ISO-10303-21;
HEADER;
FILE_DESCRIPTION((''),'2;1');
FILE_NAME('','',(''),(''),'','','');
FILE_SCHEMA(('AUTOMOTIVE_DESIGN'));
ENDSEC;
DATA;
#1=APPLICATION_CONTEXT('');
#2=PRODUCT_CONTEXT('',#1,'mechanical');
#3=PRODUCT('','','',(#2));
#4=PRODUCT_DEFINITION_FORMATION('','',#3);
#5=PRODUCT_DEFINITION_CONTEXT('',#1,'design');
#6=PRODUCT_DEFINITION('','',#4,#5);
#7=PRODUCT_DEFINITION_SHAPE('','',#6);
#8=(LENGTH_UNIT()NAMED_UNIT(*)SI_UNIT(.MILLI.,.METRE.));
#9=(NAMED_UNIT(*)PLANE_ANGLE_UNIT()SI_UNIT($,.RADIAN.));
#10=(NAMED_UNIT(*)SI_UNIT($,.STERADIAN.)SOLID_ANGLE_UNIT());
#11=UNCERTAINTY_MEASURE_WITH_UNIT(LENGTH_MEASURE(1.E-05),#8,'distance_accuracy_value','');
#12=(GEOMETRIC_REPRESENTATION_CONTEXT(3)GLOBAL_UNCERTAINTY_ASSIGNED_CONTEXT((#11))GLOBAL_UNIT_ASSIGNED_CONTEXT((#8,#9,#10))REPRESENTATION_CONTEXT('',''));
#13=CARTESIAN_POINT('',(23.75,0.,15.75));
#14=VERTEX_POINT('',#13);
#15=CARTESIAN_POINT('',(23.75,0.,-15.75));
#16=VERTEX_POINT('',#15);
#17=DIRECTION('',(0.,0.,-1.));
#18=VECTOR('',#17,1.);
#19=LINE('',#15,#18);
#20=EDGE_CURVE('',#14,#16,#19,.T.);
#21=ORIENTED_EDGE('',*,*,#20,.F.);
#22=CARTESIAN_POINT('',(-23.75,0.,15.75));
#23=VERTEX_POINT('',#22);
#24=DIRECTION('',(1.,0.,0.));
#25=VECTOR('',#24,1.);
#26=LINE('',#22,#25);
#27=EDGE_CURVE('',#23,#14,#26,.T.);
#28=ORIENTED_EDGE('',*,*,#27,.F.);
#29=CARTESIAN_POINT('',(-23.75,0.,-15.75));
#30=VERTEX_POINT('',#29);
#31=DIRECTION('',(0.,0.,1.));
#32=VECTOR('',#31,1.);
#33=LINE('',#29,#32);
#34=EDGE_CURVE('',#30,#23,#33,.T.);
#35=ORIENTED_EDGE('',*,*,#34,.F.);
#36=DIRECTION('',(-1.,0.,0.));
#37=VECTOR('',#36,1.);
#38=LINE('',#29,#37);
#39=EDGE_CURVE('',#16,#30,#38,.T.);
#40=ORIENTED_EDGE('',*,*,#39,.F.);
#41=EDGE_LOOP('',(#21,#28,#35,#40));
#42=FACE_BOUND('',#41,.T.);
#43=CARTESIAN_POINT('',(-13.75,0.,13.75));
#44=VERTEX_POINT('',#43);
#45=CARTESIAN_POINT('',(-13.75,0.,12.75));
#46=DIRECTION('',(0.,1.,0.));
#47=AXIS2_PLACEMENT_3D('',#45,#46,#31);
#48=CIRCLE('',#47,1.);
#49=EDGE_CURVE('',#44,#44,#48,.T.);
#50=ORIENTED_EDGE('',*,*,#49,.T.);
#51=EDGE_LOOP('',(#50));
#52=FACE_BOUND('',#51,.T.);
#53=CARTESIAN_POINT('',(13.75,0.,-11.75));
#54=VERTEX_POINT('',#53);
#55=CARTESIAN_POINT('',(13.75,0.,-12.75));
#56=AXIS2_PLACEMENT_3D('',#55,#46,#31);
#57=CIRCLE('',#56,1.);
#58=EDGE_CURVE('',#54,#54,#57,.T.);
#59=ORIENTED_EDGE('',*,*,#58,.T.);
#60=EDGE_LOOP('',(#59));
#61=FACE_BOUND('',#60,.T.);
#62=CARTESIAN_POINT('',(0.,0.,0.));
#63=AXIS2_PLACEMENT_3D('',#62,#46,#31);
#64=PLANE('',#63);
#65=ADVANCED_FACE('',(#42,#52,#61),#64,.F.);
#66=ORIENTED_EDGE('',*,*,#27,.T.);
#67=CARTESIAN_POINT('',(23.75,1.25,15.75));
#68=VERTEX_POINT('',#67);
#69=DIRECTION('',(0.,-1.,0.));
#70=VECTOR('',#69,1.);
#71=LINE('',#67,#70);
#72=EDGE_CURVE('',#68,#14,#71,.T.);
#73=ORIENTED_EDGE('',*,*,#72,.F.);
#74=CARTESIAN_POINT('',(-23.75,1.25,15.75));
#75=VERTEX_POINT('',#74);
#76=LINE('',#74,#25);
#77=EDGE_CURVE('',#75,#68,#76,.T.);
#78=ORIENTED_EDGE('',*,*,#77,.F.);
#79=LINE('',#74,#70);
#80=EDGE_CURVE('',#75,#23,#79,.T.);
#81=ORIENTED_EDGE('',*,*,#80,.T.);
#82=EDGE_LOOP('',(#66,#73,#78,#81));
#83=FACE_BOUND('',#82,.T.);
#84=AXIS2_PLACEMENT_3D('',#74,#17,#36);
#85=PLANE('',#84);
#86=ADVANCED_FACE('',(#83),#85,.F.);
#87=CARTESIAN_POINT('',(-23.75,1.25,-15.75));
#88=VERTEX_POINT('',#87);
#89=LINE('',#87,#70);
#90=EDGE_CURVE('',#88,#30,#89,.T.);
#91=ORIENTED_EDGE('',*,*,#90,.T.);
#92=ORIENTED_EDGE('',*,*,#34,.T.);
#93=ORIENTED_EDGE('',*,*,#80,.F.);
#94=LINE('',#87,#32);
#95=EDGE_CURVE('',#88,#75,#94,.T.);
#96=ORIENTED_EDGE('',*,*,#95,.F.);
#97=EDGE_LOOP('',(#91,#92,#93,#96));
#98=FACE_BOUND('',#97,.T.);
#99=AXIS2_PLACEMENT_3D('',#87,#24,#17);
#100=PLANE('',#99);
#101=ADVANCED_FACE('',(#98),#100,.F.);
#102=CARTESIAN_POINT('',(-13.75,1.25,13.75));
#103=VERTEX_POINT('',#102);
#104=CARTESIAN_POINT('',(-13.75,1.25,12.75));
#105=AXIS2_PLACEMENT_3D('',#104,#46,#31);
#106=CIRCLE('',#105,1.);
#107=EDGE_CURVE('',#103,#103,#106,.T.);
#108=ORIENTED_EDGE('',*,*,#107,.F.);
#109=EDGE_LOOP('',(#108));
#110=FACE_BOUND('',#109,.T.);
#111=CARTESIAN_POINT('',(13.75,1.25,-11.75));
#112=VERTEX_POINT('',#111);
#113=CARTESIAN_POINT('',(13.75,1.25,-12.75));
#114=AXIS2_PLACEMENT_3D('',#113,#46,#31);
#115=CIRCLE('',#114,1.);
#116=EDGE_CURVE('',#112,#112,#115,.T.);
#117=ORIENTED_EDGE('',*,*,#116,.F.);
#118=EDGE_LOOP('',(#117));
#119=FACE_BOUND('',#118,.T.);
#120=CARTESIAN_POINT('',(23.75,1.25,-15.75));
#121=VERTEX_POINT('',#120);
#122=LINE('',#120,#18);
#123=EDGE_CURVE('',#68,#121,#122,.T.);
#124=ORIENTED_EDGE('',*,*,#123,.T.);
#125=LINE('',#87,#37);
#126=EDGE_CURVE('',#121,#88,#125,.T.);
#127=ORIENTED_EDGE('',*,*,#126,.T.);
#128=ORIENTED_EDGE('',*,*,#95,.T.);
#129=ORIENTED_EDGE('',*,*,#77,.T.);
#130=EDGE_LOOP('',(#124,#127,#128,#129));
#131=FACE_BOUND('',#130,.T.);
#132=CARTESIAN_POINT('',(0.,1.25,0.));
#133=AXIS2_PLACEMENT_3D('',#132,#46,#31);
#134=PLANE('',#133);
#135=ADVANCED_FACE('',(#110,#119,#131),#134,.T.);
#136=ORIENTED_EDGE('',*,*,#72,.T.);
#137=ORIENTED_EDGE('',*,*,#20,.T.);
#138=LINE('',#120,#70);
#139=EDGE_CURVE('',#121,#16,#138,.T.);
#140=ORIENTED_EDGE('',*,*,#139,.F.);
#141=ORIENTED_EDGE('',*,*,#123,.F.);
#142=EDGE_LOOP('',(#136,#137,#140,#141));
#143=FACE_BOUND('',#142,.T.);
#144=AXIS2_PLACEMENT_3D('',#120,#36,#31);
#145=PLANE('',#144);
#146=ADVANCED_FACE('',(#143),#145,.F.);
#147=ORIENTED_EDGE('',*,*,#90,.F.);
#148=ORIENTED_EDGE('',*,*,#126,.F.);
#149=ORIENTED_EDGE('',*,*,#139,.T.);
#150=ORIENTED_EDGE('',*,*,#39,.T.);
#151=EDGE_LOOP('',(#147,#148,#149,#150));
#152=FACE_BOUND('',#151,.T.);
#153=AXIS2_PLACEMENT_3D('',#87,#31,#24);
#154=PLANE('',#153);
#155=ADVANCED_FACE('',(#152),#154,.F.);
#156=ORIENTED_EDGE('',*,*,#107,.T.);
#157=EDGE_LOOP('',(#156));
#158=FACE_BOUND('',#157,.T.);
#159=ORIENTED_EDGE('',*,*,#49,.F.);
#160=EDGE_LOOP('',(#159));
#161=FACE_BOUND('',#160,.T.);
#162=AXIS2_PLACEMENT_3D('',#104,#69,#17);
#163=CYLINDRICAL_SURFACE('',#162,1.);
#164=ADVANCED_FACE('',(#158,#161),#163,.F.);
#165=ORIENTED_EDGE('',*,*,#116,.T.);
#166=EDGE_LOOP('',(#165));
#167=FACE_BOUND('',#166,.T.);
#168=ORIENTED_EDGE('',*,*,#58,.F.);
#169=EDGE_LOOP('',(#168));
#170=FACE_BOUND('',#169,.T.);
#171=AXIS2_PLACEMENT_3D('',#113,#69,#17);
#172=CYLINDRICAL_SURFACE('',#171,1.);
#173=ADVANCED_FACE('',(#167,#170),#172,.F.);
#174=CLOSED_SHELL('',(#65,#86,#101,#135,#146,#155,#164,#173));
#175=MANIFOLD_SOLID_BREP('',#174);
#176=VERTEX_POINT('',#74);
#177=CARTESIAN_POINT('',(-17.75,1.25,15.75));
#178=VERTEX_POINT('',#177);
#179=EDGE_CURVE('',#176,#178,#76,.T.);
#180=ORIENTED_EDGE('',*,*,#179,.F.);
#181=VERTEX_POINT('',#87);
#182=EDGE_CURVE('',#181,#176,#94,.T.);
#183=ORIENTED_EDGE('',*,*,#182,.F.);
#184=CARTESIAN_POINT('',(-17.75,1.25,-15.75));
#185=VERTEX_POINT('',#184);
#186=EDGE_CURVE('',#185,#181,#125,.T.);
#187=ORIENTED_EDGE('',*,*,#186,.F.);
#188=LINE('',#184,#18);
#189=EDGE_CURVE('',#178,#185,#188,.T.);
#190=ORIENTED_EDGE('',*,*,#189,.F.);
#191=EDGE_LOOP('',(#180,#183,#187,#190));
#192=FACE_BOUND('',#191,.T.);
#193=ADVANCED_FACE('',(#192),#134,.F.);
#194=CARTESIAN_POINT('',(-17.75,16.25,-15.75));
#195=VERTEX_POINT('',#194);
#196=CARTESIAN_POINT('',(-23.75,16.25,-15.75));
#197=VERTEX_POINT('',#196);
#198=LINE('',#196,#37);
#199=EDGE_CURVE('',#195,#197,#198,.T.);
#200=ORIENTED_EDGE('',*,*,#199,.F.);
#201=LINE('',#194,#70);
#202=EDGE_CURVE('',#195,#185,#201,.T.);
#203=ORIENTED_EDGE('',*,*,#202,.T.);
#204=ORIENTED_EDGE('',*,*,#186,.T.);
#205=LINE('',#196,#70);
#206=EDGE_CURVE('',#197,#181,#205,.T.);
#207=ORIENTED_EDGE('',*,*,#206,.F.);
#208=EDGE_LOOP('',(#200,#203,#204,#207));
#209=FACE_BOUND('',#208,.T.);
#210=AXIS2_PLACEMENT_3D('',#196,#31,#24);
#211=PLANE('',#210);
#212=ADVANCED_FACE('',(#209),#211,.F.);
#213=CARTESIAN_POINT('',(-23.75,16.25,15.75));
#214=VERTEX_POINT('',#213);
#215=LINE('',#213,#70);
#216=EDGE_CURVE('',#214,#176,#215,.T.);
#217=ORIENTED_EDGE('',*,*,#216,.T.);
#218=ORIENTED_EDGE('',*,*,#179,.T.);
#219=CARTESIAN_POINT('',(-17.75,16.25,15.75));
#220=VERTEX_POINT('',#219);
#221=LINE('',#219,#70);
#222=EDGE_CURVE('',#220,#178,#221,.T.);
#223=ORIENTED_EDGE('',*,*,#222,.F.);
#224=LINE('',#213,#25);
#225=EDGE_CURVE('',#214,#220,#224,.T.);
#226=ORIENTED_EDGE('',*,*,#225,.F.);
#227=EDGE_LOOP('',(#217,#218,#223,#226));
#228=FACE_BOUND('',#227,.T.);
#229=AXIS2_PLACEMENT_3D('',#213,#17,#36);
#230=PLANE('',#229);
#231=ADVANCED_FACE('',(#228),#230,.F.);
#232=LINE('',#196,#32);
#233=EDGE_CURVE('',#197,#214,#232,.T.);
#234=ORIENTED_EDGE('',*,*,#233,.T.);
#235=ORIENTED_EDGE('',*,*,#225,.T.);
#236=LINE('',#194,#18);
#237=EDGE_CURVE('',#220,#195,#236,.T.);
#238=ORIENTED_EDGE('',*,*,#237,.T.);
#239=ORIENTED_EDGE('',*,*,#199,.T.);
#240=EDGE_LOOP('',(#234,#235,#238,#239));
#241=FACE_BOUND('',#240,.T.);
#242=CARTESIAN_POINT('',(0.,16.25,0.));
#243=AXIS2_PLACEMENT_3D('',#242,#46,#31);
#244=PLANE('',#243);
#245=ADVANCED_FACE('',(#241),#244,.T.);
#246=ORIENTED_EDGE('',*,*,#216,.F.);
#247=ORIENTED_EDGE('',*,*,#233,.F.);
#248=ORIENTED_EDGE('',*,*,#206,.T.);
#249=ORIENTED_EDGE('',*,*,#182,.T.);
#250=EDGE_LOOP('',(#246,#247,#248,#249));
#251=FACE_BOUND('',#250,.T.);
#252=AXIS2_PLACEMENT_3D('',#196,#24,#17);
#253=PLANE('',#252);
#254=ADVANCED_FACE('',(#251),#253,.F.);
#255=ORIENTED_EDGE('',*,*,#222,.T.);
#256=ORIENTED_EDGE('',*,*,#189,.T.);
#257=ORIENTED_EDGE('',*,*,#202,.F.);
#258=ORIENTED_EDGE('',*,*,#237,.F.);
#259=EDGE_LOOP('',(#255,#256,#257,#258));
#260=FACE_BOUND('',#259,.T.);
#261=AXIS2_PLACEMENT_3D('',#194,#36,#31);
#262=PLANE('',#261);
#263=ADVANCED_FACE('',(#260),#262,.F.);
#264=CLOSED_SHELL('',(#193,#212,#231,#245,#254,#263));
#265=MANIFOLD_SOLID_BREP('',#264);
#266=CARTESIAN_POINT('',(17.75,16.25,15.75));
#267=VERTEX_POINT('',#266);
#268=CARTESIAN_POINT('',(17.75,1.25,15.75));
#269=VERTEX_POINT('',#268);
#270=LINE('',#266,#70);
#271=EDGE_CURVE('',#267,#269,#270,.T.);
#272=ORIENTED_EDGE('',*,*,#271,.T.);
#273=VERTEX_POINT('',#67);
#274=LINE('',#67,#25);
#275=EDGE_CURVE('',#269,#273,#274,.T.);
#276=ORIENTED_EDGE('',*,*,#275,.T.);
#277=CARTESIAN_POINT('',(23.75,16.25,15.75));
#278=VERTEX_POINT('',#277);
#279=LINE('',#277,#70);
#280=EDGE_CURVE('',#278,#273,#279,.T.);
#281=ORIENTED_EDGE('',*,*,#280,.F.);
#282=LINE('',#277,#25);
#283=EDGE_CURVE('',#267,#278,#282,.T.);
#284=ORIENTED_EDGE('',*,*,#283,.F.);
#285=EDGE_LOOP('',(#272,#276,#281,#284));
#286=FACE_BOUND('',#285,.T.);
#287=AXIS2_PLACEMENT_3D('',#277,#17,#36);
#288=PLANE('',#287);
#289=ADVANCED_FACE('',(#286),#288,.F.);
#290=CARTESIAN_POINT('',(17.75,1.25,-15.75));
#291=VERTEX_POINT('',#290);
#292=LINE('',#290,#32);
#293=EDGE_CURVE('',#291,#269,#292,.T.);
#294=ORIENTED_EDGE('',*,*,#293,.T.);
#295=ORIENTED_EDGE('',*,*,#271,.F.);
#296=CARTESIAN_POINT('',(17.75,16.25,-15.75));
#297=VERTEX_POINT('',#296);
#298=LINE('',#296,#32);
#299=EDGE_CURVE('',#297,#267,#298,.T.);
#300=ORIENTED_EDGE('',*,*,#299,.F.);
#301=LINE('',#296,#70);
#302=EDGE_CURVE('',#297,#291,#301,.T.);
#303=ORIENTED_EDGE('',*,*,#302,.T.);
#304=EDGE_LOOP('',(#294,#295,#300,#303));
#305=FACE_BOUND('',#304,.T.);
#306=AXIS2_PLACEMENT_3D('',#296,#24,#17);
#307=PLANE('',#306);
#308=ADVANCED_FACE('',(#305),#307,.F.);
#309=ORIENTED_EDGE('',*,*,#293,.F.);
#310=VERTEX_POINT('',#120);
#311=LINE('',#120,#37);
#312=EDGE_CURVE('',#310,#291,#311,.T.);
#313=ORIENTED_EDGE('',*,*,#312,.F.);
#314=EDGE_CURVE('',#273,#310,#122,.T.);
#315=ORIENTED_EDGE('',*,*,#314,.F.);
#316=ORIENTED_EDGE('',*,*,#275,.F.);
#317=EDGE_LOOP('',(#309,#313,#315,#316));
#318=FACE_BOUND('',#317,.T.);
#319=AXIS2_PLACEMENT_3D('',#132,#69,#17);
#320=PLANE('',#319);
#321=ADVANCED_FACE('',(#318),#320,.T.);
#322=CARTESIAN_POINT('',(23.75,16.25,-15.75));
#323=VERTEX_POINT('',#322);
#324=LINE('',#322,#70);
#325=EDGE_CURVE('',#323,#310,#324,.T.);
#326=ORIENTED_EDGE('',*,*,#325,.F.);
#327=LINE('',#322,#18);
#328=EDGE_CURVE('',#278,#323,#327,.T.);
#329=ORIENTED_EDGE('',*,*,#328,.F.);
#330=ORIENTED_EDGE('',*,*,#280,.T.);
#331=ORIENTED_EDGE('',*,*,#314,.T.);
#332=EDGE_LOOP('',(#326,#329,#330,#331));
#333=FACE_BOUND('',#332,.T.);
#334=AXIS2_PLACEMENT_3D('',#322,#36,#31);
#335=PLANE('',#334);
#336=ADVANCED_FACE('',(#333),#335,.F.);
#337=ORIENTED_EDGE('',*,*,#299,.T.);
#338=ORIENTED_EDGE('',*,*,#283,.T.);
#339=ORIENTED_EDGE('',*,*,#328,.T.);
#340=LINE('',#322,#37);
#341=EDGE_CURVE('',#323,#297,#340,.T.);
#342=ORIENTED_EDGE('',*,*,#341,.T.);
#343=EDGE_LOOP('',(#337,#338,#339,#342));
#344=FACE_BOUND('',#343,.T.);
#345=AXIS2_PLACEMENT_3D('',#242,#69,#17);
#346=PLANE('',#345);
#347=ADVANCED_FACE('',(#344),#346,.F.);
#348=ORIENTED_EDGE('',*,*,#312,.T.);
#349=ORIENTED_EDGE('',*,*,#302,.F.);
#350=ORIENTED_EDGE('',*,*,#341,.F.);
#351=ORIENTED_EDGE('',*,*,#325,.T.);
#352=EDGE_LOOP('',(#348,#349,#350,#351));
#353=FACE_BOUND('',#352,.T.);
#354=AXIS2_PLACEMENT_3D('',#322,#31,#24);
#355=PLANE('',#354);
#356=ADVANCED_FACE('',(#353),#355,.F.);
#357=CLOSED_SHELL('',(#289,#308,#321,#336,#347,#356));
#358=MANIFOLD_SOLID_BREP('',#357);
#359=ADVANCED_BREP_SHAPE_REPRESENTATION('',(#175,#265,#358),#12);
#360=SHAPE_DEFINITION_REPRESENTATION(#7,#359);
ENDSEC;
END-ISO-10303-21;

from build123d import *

# Parameters (mm, degrees)
SKETCH1_W             = 47.5
SKETCH1_H             = 31.5
SKETCH1_R             = 1
BOSS_EXTRUDE1_DEPTH   = 1.25
SKETCH2_W             = 6
SKETCH2_H             = 31.5
BOSS_EXTRUDE2_DEPTH   = 15
BOSS_EXTRUDE2_2_DEPTH = 15


with BuildPart() as part:
    # Sketch1 → Boss-Extrude1 (new body)
    with BuildSketch(Plane(origin=(0, 0, 0), x_dir=(1, 0, 0), z_dir=(0, 1, 0))):
        Rectangle(SKETCH1_W, SKETCH1_H)
        with Locations(Location((13.75, 12.75, 0), (0, 0, 270))):
            Circle(SKETCH1_R, mode=Mode.SUBTRACT)
        with Locations(Location((-13.75, -12.75, 0), (0, 0, 270))):
            Circle(SKETCH1_R, mode=Mode.SUBTRACT)
    extrude(amount=BOSS_EXTRUDE1_DEPTH)


with BuildPart() as body_2:
    # Sketch2 → Boss-Extrude2 (new body)
    with BuildSketch(Plane(origin=(0, 1.25, 0), x_dir=(1, 0, 0), z_dir=(0, 1, 0))):
        with Locations((-20.75, 0)):
            Rectangle(SKETCH2_W, SKETCH2_H)
    extrude(amount=BOSS_EXTRUDE2_DEPTH)


with BuildPart() as body_3:
    # Sketch2 → Boss-Extrude2 2 (new body)
    with BuildSketch(Plane(origin=(0, 1.25, 0), x_dir=(1, 0, 0), z_dir=(0, 1, 0))):
        with Locations((20.75, 0)):
            Rectangle(SKETCH2_W, SKETCH2_H)
    extrude(amount=BOSS_EXTRUDE2_2_DEPTH)


solid = Compound([part.part, body_2.part, body_3.part])
